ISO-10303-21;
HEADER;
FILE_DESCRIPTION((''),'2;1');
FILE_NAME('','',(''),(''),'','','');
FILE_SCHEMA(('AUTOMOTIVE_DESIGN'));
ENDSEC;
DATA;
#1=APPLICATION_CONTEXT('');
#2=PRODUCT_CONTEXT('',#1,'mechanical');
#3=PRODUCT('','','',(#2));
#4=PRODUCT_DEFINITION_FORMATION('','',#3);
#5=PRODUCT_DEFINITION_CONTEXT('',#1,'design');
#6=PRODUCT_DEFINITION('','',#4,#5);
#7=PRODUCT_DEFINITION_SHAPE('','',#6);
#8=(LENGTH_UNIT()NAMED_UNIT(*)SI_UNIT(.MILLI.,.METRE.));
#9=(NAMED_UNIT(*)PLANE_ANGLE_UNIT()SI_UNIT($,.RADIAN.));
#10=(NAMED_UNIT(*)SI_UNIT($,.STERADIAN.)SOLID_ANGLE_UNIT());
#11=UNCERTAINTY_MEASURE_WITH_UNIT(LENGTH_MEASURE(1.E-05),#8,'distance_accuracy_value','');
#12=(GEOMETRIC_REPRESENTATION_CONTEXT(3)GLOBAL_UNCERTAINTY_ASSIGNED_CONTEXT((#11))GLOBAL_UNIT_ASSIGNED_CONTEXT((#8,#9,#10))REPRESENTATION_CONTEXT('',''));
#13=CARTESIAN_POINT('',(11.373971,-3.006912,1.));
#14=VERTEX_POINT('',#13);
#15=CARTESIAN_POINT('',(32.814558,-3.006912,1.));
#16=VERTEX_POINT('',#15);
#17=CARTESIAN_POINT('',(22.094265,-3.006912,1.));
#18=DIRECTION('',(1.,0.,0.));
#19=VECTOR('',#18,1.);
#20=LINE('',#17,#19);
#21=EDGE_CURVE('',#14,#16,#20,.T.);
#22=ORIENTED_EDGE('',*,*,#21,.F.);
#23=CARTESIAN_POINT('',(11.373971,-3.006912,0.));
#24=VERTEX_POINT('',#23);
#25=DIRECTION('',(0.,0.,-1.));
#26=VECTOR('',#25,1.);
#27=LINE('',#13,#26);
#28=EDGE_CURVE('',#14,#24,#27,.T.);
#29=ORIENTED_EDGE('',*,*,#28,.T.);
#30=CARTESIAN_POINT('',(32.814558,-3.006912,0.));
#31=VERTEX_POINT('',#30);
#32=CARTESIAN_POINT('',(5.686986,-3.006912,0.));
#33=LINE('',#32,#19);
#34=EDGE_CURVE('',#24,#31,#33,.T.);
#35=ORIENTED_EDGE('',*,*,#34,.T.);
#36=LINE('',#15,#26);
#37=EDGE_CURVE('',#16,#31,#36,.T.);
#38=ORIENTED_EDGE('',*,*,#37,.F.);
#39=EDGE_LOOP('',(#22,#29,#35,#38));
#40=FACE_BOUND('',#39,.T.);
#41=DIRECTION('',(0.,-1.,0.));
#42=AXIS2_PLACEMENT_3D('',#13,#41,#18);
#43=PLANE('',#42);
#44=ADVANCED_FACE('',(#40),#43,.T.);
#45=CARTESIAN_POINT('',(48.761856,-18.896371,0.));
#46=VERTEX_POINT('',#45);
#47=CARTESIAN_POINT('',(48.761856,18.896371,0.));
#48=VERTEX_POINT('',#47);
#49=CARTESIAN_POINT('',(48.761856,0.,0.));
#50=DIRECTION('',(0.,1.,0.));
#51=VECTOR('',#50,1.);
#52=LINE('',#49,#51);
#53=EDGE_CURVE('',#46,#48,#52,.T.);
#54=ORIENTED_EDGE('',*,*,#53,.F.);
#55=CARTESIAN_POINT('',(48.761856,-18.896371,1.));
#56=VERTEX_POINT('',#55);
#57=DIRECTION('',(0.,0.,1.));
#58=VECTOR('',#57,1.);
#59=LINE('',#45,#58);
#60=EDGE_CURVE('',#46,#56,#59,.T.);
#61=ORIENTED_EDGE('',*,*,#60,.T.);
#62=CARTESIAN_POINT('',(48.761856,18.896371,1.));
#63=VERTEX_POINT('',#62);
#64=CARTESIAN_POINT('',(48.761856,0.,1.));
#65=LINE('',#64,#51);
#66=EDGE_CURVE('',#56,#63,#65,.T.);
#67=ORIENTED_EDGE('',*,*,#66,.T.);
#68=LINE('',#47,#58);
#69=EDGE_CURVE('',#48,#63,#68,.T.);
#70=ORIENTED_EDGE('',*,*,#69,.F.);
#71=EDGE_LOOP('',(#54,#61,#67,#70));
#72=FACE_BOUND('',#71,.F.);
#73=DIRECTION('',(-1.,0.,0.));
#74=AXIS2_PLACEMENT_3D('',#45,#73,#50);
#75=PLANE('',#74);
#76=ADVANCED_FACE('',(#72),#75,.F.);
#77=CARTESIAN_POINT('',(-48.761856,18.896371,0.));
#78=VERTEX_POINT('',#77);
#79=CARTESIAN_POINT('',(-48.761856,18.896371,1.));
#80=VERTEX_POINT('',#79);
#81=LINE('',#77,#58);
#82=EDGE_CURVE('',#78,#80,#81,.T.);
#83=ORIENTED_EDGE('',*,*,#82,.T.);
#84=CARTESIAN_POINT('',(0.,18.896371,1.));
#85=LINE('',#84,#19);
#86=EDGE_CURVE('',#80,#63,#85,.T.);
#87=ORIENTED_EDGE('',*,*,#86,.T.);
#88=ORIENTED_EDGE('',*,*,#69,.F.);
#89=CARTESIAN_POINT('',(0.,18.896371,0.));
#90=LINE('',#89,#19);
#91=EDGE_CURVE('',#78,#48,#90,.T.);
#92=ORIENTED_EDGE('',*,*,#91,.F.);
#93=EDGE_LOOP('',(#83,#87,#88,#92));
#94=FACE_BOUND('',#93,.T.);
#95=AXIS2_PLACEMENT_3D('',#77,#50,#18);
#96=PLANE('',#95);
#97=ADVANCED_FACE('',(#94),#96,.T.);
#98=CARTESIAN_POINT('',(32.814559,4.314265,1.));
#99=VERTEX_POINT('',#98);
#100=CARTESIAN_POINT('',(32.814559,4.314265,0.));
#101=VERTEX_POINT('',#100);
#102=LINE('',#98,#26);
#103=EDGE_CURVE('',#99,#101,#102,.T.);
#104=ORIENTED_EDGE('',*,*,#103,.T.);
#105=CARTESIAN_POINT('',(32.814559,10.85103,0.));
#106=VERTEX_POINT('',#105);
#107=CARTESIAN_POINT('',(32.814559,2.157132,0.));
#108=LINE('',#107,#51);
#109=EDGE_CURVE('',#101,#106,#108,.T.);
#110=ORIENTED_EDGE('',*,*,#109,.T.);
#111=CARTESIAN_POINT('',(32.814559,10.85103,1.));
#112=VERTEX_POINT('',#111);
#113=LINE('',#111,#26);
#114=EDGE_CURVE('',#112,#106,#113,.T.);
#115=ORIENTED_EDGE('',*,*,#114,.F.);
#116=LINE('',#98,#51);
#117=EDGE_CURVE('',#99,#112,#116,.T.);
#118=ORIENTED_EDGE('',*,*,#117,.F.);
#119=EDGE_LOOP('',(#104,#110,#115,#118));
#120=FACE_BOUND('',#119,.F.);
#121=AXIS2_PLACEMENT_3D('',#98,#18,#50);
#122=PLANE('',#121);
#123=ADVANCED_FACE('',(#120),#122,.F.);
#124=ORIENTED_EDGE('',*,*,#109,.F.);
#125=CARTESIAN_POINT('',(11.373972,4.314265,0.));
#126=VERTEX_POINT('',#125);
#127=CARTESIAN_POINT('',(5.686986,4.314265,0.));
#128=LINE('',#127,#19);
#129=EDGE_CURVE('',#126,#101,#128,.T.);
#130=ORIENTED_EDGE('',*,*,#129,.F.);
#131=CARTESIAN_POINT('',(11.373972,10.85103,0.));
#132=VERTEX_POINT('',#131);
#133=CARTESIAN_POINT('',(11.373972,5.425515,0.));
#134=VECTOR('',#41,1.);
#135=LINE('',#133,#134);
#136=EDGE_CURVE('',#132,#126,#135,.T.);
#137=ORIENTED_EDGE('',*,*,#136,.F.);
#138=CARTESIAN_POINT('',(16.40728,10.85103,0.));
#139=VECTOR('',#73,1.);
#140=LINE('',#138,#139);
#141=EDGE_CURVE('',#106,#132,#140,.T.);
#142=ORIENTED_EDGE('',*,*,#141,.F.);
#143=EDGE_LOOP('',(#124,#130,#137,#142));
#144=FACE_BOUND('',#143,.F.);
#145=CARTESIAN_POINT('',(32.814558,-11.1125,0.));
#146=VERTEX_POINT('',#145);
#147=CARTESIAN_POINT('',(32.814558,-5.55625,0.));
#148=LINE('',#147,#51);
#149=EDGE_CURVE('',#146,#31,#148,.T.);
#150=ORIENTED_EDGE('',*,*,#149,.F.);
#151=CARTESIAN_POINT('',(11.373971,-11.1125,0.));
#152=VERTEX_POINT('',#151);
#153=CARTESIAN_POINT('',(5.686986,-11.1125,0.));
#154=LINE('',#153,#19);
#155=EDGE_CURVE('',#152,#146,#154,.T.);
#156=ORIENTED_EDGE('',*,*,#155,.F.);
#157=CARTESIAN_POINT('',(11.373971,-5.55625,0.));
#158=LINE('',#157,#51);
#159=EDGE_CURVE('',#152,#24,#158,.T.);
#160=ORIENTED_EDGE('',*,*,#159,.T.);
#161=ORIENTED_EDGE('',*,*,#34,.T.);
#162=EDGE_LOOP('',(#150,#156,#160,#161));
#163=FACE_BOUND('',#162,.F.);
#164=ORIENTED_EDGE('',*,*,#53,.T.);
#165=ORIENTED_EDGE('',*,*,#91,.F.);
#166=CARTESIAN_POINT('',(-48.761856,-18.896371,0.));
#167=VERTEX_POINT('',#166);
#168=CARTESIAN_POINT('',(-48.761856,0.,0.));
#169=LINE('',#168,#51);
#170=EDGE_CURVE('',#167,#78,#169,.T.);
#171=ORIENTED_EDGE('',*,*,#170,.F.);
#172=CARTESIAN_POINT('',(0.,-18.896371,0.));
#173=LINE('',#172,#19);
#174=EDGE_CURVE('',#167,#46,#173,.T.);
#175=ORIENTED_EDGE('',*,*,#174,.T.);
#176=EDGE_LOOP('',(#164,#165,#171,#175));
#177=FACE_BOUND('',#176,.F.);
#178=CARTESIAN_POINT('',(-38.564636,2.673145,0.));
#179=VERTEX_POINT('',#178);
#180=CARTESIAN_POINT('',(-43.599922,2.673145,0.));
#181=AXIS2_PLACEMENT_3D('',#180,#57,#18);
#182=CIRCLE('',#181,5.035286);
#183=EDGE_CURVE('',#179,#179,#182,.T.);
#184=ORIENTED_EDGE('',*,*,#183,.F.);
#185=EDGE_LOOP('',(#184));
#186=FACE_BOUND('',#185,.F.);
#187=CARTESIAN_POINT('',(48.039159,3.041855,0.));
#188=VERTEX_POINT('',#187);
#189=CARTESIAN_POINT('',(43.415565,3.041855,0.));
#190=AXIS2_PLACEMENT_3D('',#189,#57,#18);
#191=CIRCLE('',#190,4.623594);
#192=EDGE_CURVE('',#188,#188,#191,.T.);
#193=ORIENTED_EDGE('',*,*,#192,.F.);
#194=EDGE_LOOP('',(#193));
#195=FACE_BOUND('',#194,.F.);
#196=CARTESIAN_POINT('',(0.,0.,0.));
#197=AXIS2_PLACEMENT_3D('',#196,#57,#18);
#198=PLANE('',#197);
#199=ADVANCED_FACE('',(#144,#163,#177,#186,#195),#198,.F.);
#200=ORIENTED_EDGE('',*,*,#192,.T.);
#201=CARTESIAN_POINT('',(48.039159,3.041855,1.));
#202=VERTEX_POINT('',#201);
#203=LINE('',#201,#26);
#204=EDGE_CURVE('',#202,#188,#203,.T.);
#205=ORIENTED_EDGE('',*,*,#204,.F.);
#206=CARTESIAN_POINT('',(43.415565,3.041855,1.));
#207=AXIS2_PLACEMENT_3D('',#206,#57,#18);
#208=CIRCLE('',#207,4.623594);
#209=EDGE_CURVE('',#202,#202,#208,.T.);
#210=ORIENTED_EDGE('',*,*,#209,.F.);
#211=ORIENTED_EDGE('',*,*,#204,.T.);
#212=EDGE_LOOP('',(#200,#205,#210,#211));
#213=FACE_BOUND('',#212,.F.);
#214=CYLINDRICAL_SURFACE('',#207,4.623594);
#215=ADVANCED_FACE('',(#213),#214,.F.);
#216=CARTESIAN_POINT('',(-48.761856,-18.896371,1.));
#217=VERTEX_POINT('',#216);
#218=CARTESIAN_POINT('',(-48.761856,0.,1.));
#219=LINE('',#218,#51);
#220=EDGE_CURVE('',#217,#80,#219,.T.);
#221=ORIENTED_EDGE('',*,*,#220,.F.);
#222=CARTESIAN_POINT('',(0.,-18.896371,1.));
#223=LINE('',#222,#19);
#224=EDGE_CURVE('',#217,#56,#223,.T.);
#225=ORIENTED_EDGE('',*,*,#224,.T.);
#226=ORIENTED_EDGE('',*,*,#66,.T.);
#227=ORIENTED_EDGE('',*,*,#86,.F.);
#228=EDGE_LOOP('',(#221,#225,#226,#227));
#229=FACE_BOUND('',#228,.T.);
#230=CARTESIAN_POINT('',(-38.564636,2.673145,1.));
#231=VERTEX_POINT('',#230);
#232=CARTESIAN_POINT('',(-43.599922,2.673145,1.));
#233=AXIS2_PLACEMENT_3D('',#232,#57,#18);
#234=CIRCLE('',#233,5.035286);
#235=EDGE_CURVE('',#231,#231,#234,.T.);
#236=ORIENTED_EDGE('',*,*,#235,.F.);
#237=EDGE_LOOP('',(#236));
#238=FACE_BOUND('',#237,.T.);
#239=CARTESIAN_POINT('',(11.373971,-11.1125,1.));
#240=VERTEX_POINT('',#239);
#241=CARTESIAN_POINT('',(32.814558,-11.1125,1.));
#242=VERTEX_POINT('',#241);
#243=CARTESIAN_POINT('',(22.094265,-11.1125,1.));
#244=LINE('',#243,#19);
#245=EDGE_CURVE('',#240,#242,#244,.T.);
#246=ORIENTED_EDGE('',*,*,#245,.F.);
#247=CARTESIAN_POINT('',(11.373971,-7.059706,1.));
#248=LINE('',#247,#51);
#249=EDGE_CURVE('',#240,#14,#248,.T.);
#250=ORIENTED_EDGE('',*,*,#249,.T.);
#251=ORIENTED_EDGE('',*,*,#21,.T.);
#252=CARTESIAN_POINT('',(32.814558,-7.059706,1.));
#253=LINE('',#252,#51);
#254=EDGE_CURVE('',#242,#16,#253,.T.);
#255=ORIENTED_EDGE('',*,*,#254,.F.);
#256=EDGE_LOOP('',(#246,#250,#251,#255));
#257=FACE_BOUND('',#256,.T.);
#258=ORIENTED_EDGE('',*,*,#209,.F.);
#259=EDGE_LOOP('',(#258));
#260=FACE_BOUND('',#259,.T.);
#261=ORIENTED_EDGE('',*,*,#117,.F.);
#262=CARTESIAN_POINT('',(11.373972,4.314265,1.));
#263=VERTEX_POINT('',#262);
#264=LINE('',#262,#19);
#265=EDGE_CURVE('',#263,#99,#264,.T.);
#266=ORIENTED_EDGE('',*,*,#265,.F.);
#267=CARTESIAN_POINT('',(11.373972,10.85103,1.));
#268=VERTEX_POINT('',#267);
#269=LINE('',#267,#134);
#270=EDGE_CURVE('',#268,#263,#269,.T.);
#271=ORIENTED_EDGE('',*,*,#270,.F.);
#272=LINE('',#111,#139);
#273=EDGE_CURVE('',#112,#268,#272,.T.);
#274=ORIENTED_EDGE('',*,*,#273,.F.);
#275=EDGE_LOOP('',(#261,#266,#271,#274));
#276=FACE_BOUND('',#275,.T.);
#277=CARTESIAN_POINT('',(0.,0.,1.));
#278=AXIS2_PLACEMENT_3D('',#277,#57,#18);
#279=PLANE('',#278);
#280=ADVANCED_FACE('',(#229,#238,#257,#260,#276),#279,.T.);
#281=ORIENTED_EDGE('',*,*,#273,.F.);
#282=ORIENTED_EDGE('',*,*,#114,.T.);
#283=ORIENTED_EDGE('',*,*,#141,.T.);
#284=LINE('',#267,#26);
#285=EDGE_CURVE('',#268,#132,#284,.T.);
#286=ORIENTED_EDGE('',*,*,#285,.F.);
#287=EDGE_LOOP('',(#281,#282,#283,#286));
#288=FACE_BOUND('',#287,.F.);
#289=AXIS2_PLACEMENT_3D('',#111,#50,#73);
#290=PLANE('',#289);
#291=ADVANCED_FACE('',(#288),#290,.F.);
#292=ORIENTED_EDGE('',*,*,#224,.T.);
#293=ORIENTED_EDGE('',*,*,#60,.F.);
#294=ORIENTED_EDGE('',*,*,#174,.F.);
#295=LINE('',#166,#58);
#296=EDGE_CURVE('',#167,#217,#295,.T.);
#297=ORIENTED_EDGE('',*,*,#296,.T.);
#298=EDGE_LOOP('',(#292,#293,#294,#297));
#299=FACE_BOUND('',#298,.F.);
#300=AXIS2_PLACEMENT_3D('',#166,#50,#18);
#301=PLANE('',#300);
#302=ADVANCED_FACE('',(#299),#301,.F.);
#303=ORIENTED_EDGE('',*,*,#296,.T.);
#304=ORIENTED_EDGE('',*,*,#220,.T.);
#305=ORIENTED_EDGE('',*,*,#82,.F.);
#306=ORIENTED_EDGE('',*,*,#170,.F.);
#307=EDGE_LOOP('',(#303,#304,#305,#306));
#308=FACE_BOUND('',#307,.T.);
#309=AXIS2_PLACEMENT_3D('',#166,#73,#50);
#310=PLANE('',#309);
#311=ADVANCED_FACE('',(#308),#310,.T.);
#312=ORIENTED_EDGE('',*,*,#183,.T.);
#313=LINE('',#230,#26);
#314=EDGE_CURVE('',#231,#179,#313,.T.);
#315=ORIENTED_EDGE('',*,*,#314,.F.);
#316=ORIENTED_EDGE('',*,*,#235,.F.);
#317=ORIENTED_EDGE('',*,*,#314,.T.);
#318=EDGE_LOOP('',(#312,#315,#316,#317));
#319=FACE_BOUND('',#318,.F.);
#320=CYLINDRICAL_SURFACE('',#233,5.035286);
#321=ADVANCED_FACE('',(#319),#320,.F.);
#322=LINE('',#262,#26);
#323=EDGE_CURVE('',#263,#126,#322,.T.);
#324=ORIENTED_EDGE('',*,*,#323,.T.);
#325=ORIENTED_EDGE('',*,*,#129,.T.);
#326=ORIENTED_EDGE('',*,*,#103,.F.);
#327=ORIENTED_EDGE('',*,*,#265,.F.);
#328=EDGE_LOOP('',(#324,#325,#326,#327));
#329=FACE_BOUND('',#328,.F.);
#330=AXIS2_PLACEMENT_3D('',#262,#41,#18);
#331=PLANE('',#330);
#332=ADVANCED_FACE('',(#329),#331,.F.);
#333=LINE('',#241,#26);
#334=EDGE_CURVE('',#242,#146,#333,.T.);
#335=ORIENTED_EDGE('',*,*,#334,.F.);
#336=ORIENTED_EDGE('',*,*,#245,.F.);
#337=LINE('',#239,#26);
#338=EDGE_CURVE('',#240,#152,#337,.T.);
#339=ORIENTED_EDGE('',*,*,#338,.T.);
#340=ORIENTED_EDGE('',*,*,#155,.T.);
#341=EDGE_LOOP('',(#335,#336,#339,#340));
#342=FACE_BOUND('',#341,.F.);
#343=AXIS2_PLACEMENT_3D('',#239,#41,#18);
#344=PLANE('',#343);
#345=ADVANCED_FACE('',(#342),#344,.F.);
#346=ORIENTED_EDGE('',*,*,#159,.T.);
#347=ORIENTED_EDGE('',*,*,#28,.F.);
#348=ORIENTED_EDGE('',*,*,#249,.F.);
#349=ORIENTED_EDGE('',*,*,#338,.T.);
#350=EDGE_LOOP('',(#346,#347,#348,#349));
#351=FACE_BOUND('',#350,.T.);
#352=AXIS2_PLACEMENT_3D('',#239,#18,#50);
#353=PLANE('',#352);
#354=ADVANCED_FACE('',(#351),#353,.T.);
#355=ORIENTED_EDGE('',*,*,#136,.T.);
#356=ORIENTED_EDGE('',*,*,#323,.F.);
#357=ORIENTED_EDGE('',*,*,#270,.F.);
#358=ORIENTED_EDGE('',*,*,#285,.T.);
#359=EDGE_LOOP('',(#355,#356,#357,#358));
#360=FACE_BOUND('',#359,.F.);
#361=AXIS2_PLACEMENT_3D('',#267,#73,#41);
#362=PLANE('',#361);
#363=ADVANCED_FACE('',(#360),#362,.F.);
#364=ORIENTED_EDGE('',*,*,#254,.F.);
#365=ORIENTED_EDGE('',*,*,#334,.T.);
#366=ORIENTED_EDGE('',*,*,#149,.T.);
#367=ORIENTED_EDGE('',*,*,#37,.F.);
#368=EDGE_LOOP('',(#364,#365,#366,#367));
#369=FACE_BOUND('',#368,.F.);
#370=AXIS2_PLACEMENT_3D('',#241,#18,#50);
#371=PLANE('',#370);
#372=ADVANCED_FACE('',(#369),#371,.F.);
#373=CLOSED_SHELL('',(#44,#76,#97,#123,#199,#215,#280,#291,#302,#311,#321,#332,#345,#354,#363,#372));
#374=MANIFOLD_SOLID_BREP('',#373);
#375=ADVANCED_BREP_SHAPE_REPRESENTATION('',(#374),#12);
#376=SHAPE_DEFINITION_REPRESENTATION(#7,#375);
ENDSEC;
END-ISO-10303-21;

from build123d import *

# Parameters (mm, degrees)
F0_W     = 97.523712
F0_H     = 37.792742
F1_DEPTH = 1
F2_R     = 4.623594
F2_R_2   = 5.035286
F3_DEPTH = 25.4
F4_W     = 21.440587
F4_H     = 8.105589
F5_DEPTH = 25.4


with BuildPart() as f1:
    # F0 (on Top) → F1 (new body)
    with BuildSketch(Plane.XY):
        Rectangle(F0_W, F0_H)
    extrude(amount=F1_DEPTH)

    # F2 (on face) → F3 (cut)
    with BuildSketch(Plane.XY.offset(1)):
        with Locations((43.415565, 3.041855)):
            Circle(F2_R)
        with Locations((-43.599922, 2.673145)):
            Circle(F2_R_2)
    extrude(amount=-F3_DEPTH, mode=Mode.SUBTRACT)

    # F4 (on face) → F5 (cut)
    with BuildSketch(Plane.XY.offset(1)):
        Polygon((32.814559, 4.314265), (32.814559, 10.85103), (11.373972, 10.85103), (11.373972, 4.314265), (13.988677, 4.314265), align=None)
        with Locations((22.094265, -7.059706)):
            Rectangle(F4_W, F4_H)
    extrude(amount=-F5_DEPTH, mode=Mode.SUBTRACT)


solid = f1.part
